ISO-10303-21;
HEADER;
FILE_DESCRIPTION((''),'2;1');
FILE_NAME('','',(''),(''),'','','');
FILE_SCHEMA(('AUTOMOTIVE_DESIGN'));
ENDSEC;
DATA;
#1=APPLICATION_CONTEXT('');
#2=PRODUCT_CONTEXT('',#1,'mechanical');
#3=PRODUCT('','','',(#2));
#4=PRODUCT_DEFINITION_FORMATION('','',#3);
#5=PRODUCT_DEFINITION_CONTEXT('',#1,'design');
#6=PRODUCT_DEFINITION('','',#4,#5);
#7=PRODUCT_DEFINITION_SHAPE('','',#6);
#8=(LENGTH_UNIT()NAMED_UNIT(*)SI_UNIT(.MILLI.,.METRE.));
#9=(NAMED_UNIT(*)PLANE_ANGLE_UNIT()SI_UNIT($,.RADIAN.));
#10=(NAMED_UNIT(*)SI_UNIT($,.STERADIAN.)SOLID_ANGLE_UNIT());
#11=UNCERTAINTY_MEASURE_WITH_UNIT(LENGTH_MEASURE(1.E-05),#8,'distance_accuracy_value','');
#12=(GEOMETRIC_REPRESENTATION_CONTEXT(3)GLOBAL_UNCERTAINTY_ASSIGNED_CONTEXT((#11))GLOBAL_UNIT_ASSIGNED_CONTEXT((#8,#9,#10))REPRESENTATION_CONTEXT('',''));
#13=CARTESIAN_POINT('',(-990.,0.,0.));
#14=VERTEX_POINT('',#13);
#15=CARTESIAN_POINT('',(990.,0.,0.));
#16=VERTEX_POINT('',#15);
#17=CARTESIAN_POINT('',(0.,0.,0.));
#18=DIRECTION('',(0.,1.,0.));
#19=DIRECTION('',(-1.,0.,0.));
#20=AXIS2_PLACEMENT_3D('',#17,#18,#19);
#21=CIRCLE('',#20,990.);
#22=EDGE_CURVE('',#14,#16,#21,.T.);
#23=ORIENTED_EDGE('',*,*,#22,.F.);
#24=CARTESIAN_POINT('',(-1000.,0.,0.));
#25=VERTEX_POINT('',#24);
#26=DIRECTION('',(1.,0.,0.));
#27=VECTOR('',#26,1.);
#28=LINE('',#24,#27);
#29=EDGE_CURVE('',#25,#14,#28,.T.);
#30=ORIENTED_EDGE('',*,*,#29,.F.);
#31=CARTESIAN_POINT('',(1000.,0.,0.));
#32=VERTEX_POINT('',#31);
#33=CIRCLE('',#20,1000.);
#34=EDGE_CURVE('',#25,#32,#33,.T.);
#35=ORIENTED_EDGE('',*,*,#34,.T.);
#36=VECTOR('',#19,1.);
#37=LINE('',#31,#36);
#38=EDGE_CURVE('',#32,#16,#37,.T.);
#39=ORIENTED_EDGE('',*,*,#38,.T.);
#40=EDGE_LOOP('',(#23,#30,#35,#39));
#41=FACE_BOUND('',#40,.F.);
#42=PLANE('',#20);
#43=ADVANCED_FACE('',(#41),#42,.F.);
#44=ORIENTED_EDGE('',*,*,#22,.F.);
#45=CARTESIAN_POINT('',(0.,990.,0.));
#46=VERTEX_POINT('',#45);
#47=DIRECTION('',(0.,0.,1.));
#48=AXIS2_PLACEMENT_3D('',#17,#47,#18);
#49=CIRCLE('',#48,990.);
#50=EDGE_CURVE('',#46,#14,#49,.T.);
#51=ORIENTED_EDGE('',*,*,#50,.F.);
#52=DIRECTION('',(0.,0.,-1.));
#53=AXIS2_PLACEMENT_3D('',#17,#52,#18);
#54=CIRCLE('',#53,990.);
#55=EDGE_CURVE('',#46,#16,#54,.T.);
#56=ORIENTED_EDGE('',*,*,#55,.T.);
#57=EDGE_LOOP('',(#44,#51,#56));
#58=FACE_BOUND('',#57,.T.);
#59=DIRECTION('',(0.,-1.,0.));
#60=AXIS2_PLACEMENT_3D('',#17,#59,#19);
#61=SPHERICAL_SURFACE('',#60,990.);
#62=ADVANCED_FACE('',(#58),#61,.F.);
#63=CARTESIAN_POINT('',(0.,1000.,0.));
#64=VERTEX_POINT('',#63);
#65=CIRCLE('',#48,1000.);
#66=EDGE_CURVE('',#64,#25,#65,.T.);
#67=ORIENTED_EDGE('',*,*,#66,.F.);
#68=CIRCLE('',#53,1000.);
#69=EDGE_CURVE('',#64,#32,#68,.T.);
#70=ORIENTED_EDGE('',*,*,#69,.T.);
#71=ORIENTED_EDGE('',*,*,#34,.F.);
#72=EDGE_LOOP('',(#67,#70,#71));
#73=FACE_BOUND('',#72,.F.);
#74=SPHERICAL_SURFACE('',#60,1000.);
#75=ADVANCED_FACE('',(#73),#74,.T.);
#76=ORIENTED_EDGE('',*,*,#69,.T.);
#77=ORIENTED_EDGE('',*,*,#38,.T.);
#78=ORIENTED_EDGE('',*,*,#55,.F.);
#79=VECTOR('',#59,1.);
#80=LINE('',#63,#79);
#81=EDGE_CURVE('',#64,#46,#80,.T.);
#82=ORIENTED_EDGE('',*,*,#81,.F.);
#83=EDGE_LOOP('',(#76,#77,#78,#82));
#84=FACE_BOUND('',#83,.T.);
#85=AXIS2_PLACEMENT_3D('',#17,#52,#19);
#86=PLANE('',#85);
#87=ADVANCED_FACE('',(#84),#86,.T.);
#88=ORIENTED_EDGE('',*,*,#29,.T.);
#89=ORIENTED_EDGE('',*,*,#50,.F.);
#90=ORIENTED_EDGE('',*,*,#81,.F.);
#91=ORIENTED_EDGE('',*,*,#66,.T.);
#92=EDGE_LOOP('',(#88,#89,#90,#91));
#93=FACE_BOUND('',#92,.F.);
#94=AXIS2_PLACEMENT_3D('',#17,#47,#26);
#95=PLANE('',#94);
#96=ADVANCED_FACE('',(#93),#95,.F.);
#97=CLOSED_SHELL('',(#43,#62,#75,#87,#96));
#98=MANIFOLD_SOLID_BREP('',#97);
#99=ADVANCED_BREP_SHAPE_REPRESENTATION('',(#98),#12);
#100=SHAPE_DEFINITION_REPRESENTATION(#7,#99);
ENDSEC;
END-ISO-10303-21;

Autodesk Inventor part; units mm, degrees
ref_plane "XZ Plane" through (0, 0, 0) normal (0, 1, 0) x (-1, 0, 0)
ref_plane "XY Plane" through (0, 0, 0) normal (0, 0, 1) x (1, 0, 0)
sketch "Sketch1" plane through (0, 0, 0) normal (0, 0, 1) x (1, 0, 0)
  arc A0 (0, 1000) -> (-1000, 0) centre (0, 0) ccw
  arc A1 (0, 990) -> (-990, 0) centre (0, 0) ccw
  line L0 (-1000, 0) -> (-990, 0)
  line L1 (0, 1000) -> (0, 990)
  line L2 (0, -217.2792) -> (0, 1303.6753) projected
  dimension "d0" = 10
  dimension "d1" = 1000
  dimension "d2" = 0
  dimension "d3" = 0
revolve "Revolution1" add sketch "Sketch1" angle 180 about axis through (0, -10, 0) along (0, 1, 0)
ref_plane "midPlane" through (0, 0, 0) normal (1, 0, 0) x (0, 1, 0)
ref_plane "tangentPlane1" through (1000, 0, 0) normal (1, 0, 0) x (0, 1, 0)
ref_plane "tangentPlane2" through (-1000, 0, 0) normal (1, 0, 0) x (0, 1, 0)
equation "\"d0\" = thickness"
equation "\"thickness\" = 10"
equation "\"hoop_angle_z\" = 45deg"
equation "\"hoop_bearing_length\" = 5deg"
equation "\"hoop_cable_diam\" = 5"
equation "\"hoop_cable_pulley_diam\" = 22"
equation "\"rack_tooth_addendum\" = 5"
equation "\"rack_tooth_dedendum\" = 5"
equation "\"rack_tooth_thickness\" = 5"
equation "\"secure_arm_angle\" = 20deg"
equation "\"secure_arm_hold_length\" = 35"
equation "\"secure_arm_radii\" = 9"
equation "\"support_baseClamp_platformLengthBuffer\" = 35"
equation "\"support_baseClamp_platformThickness\" = 15"
equation "\"support_baseClamp_platformWidthBuffer\" = 0"
equation "\"support_baseClamp_sleeveHoleDiameter\" = 12"
equation "\"support_baseClamp_sleeveSweepTerminationAngle\" = 55deg"
equation "\"support_baseClamp_thickness\" = 8"
equation "\"support_frame_endHoleBuffer\" = 25"
equation "\"support_frame_squareBarFillet\" = 2"
equation "\"support_frame_squareBarThickness\" = 5"
equation "\"hoop_tabs_thickness\" = 6"
equation "\"hoop_tabs_hole\" = 4"
equation "\"wheelchair_deployed_width\" = 635"
equation "\"wheelchair_deployed_length\" = 1067"
equation "\"wheelchair_deployed_height\" = 914"
properties part number "cover2_cap"
